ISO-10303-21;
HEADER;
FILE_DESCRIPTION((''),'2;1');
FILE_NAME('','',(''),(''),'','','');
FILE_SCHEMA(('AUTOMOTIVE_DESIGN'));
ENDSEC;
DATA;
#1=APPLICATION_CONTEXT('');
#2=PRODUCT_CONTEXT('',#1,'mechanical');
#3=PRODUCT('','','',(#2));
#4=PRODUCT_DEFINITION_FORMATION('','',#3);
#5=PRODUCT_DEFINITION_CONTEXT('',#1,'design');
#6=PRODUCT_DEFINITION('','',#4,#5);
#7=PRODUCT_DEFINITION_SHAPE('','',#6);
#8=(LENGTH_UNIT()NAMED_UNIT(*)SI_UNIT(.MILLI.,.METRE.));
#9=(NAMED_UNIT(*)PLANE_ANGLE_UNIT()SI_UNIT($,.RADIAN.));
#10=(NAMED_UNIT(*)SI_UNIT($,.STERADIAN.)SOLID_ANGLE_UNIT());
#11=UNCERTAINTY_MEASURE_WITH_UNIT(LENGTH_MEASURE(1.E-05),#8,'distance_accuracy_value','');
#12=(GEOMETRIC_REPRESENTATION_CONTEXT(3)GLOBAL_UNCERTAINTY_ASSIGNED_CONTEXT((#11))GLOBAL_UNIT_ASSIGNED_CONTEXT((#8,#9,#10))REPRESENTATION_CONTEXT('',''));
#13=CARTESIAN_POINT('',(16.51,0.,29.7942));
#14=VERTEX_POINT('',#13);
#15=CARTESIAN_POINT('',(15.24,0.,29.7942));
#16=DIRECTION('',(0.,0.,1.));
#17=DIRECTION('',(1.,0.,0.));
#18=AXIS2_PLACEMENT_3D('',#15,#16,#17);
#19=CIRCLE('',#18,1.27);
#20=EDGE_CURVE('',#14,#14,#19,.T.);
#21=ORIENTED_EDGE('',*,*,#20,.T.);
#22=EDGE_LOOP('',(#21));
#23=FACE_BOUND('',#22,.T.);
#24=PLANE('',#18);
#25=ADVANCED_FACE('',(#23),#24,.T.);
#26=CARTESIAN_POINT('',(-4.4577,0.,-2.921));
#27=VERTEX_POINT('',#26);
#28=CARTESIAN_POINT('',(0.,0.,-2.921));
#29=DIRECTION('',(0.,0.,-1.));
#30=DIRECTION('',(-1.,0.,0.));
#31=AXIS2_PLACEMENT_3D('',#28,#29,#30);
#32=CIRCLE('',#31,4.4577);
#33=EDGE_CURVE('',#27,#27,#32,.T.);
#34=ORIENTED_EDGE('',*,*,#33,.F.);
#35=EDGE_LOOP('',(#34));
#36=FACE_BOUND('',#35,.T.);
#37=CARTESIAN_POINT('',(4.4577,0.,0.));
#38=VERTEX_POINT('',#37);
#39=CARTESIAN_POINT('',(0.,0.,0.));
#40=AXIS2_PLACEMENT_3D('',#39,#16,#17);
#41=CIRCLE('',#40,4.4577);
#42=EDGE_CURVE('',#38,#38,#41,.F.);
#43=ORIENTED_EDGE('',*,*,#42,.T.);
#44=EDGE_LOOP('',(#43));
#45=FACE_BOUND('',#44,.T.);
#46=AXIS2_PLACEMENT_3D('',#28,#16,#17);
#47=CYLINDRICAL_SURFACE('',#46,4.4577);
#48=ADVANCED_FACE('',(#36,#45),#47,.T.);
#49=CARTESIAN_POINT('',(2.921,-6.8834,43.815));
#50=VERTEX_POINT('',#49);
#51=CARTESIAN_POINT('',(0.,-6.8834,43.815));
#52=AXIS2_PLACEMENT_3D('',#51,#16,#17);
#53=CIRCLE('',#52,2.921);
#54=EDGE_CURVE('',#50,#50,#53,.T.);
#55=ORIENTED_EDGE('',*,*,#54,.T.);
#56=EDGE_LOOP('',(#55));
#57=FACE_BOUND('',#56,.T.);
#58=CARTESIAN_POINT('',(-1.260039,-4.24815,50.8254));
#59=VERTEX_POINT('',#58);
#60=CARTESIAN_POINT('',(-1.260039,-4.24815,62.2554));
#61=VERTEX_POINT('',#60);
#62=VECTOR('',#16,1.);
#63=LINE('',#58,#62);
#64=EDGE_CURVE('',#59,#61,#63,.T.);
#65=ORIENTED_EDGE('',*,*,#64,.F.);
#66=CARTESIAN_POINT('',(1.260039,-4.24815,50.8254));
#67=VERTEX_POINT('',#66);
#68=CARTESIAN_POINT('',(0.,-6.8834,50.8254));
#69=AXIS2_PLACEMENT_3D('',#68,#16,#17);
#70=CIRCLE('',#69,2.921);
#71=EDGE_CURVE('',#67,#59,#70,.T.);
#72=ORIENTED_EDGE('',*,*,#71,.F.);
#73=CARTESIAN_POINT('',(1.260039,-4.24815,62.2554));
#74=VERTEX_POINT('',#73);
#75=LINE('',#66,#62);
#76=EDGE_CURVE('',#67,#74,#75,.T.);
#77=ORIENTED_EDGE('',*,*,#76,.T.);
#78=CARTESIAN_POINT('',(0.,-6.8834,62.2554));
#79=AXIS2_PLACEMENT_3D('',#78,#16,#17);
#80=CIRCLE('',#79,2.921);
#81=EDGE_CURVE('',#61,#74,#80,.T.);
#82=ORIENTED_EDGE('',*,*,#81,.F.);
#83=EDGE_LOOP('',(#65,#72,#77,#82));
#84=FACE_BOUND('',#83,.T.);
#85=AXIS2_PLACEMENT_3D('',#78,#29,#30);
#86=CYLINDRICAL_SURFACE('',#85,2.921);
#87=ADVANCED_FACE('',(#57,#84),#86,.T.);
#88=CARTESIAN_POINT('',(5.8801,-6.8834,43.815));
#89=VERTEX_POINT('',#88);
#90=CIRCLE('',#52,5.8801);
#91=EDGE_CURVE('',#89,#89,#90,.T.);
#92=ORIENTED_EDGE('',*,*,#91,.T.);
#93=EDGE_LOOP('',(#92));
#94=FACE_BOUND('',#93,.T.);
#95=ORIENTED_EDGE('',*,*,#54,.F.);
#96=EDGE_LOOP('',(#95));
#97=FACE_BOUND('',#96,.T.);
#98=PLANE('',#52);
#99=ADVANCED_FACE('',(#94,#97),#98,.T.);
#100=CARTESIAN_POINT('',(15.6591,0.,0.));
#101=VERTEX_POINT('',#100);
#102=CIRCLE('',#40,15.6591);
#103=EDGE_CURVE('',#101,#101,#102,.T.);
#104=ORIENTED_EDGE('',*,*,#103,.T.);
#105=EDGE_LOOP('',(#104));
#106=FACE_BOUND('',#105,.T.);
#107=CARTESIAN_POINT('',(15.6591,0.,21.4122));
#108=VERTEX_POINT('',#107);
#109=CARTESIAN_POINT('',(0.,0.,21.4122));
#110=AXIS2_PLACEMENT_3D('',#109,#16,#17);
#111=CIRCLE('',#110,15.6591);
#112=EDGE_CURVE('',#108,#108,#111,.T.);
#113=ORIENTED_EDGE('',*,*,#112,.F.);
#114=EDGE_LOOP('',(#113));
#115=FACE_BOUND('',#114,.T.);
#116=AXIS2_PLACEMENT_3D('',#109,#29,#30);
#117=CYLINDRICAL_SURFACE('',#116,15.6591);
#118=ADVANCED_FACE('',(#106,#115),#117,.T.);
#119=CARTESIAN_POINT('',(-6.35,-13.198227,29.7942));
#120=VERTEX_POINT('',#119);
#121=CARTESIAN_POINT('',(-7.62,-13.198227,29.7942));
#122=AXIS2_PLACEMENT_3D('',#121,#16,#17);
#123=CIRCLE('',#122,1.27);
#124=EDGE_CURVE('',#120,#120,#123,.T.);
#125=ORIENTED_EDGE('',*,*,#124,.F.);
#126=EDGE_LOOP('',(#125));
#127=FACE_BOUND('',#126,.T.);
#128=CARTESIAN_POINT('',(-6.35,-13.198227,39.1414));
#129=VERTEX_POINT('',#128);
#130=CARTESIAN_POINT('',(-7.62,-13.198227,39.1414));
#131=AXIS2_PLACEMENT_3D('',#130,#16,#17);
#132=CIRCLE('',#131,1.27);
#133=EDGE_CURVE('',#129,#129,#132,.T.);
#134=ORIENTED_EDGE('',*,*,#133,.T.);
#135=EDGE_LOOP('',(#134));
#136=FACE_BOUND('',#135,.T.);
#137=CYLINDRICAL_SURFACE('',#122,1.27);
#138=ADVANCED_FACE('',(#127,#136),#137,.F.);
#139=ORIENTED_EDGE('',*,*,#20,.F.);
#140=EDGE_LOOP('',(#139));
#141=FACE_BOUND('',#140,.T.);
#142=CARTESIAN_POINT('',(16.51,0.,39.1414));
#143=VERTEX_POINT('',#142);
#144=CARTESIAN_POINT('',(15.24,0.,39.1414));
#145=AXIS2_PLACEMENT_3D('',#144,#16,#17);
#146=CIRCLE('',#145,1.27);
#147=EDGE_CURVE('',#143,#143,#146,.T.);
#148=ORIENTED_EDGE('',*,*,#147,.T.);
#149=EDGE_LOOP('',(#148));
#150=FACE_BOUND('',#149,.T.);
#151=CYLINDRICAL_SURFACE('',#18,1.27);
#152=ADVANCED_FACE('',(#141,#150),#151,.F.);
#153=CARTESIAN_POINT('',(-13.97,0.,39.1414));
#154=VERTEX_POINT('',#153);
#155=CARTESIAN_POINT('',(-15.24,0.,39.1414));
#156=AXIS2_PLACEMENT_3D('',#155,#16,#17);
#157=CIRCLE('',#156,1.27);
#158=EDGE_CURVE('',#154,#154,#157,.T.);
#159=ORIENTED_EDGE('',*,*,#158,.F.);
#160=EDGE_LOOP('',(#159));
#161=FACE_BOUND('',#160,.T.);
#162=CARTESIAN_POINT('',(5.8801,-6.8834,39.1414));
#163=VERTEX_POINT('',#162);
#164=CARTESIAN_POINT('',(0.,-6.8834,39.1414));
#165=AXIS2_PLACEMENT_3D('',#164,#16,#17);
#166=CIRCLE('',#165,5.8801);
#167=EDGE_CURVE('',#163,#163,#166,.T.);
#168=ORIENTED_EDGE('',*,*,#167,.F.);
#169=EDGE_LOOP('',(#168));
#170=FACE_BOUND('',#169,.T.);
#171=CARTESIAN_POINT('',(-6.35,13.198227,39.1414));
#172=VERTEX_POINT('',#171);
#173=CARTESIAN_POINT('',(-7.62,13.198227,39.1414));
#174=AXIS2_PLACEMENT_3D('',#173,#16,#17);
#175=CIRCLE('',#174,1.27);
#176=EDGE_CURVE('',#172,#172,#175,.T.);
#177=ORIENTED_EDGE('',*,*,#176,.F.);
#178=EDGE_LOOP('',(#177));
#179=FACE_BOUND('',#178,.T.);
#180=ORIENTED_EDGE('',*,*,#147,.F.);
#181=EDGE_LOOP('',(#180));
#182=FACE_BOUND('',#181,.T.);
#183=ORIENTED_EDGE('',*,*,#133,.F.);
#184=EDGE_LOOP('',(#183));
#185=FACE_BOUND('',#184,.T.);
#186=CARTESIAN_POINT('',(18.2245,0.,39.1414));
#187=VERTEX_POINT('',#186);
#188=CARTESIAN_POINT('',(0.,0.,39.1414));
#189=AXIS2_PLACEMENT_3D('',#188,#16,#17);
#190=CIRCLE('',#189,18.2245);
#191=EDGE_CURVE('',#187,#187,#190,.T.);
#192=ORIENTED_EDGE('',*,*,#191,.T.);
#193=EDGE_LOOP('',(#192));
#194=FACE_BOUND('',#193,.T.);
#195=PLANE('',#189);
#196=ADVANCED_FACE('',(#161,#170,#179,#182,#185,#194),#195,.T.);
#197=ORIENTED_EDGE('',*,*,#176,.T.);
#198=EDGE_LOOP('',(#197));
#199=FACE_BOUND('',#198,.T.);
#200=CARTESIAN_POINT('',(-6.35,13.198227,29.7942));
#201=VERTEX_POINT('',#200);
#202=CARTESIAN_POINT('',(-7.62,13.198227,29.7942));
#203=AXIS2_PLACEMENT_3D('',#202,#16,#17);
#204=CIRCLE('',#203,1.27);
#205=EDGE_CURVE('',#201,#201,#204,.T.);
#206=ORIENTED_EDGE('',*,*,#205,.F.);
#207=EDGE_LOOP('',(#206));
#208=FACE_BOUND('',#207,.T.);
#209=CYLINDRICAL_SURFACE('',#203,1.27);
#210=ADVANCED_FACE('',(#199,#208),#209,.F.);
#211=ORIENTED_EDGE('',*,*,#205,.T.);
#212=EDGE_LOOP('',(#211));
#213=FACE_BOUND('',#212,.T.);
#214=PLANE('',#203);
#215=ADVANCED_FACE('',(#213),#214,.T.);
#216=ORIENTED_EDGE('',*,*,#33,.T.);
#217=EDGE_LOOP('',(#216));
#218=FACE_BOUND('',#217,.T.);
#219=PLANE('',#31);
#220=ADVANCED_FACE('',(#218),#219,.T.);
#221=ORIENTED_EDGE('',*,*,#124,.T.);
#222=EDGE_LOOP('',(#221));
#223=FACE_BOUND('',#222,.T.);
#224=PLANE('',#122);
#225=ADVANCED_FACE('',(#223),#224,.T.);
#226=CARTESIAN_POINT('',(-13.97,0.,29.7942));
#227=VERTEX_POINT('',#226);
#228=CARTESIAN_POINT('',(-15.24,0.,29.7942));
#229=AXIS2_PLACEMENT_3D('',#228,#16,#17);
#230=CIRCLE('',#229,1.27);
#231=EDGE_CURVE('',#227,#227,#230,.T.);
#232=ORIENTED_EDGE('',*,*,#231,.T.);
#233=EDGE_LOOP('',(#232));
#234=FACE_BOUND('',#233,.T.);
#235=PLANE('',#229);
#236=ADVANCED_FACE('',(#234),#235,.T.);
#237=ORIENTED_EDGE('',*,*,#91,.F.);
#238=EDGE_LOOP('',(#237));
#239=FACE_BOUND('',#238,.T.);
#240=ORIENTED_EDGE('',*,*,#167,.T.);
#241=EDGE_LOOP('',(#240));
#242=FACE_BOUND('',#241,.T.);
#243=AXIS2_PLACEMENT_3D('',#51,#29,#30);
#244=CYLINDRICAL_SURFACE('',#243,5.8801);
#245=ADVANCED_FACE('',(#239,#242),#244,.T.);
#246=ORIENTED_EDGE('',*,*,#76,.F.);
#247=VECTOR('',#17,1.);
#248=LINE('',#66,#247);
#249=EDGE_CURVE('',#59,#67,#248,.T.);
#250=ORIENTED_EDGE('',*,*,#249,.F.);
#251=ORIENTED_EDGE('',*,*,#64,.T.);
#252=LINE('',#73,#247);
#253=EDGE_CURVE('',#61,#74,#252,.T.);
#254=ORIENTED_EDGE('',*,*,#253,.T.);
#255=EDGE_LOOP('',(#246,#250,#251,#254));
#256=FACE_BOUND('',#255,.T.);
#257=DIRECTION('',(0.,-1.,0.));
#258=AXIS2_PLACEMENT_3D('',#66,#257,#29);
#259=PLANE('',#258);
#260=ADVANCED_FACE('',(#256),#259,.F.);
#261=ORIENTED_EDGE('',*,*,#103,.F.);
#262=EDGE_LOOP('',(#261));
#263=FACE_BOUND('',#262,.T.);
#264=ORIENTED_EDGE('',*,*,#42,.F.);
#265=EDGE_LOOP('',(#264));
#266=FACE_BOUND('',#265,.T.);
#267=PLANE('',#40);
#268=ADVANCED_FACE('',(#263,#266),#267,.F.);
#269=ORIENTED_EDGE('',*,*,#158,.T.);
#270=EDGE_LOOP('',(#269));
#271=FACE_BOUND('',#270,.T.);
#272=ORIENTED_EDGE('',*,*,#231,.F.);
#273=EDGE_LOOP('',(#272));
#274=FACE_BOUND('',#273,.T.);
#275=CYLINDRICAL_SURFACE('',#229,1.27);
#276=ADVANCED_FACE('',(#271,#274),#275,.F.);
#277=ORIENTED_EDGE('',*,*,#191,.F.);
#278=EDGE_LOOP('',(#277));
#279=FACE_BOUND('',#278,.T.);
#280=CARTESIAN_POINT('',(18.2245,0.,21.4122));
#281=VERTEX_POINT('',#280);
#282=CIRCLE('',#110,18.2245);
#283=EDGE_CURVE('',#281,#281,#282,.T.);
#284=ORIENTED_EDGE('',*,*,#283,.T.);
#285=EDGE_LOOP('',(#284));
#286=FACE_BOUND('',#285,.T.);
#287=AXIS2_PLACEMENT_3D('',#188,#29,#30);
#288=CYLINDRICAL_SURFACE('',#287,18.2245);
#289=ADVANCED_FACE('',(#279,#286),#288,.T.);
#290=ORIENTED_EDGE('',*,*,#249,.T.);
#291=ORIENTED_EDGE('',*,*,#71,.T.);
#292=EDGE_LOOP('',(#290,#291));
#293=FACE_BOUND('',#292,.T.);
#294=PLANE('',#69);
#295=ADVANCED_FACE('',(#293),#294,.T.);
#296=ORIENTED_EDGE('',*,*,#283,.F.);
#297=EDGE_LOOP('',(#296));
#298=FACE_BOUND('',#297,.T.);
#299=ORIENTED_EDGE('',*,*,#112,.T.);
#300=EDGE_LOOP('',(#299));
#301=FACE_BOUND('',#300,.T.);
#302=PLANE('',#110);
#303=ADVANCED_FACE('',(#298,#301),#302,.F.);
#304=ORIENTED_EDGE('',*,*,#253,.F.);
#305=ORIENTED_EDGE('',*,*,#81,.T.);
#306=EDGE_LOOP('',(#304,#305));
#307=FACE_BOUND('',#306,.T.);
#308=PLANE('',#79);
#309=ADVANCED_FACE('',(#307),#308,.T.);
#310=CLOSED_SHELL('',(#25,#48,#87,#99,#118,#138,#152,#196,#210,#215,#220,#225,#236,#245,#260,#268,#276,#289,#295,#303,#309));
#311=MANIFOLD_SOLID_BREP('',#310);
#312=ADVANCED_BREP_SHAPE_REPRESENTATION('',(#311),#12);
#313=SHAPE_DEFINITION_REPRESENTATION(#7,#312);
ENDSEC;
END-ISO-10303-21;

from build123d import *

# Parameters (mm, degrees)
SKETCH1_R          = 15.6591
MOTOR_DEPTH        = 21.4122
SKETCH3_R          = 18.2245
GEARBOX_DEPTH      = 17.7292
SKETCH4_R          = 5.8801
PROTRUSION_DEPTH   = 4.6736
SKETCH5_R          = 2.921
SHAFT_DEPTH        = 18.4404
SKETCH6_R          = 1.27
SCREW_HOLES_DEPTH  = 9.3472
SKETCH7_R          = 4.4577
NUB_DEPTH          = 2.921
CUT_EXTRUDE1_DEPTH = 11.43


with BuildPart() as part:
    # Sketch1 → motor (new body)
    with BuildSketch(Plane.XY):
        Circle(SKETCH1_R)
    extrude(amount=MOTOR_DEPTH)

    # Sketch3 → gearbox (add)
    with BuildSketch(Plane.XY.offset(21.4122)):
        Circle(SKETCH3_R)
    extrude(amount=GEARBOX_DEPTH)

    # Sketch4 → protrusion (add)
    with BuildSketch(Plane.XY.offset(39.1414)):
        with Locations((0, -6.8834)):
            Circle(SKETCH4_R)
    extrude(amount=PROTRUSION_DEPTH)

    # Sketch5 → shaft (add)
    with BuildSketch(Plane.XY.offset(43.815)):
        with Locations((0, -6.8834)):
            Circle(SKETCH5_R)
    extrude(amount=SHAFT_DEPTH)

    # Sketch6 → screw holes (cut)
    with BuildSketch(Plane.XY.offset(39.1414)):
        with Locations((15.24, 0)):
            Circle(SKETCH6_R)
        with Locations((-15.24, 0)):
            Circle(SKETCH6_R)
        with Locations((-7.62, -13.198227096)):
            Circle(SKETCH6_R)
        with Locations((-7.61999995, 13.198227183)):
            Circle(SKETCH6_R)
    extrude(amount=-SCREW_HOLES_DEPTH, mode=Mode.SUBTRACT)

    # Sketch7 → nub (add)
    with BuildSketch(Plane(origin=(0, 0, 0), x_dir=(-1, 0, 0), z_dir=(0, 0, -1))):
        Circle(SKETCH7_R)
    extrude(amount=NUB_DEPTH)

    # Sketch8 → Cut-Extrude1 (cut)
    with BuildSketch(Plane.XY.offset(62.2554)):
        with BuildLine():
            Line((1.260039062, -4.24815), (-1.260039062, -4.24815))
            ThreePointArc((-1.260039062, -4.24815), (0, -3.9624), (1.260039062, -4.24815))
        make_face()
    extrude(amount=-CUT_EXTRUDE1_DEPTH, mode=Mode.SUBTRACT)


solid = part.part
